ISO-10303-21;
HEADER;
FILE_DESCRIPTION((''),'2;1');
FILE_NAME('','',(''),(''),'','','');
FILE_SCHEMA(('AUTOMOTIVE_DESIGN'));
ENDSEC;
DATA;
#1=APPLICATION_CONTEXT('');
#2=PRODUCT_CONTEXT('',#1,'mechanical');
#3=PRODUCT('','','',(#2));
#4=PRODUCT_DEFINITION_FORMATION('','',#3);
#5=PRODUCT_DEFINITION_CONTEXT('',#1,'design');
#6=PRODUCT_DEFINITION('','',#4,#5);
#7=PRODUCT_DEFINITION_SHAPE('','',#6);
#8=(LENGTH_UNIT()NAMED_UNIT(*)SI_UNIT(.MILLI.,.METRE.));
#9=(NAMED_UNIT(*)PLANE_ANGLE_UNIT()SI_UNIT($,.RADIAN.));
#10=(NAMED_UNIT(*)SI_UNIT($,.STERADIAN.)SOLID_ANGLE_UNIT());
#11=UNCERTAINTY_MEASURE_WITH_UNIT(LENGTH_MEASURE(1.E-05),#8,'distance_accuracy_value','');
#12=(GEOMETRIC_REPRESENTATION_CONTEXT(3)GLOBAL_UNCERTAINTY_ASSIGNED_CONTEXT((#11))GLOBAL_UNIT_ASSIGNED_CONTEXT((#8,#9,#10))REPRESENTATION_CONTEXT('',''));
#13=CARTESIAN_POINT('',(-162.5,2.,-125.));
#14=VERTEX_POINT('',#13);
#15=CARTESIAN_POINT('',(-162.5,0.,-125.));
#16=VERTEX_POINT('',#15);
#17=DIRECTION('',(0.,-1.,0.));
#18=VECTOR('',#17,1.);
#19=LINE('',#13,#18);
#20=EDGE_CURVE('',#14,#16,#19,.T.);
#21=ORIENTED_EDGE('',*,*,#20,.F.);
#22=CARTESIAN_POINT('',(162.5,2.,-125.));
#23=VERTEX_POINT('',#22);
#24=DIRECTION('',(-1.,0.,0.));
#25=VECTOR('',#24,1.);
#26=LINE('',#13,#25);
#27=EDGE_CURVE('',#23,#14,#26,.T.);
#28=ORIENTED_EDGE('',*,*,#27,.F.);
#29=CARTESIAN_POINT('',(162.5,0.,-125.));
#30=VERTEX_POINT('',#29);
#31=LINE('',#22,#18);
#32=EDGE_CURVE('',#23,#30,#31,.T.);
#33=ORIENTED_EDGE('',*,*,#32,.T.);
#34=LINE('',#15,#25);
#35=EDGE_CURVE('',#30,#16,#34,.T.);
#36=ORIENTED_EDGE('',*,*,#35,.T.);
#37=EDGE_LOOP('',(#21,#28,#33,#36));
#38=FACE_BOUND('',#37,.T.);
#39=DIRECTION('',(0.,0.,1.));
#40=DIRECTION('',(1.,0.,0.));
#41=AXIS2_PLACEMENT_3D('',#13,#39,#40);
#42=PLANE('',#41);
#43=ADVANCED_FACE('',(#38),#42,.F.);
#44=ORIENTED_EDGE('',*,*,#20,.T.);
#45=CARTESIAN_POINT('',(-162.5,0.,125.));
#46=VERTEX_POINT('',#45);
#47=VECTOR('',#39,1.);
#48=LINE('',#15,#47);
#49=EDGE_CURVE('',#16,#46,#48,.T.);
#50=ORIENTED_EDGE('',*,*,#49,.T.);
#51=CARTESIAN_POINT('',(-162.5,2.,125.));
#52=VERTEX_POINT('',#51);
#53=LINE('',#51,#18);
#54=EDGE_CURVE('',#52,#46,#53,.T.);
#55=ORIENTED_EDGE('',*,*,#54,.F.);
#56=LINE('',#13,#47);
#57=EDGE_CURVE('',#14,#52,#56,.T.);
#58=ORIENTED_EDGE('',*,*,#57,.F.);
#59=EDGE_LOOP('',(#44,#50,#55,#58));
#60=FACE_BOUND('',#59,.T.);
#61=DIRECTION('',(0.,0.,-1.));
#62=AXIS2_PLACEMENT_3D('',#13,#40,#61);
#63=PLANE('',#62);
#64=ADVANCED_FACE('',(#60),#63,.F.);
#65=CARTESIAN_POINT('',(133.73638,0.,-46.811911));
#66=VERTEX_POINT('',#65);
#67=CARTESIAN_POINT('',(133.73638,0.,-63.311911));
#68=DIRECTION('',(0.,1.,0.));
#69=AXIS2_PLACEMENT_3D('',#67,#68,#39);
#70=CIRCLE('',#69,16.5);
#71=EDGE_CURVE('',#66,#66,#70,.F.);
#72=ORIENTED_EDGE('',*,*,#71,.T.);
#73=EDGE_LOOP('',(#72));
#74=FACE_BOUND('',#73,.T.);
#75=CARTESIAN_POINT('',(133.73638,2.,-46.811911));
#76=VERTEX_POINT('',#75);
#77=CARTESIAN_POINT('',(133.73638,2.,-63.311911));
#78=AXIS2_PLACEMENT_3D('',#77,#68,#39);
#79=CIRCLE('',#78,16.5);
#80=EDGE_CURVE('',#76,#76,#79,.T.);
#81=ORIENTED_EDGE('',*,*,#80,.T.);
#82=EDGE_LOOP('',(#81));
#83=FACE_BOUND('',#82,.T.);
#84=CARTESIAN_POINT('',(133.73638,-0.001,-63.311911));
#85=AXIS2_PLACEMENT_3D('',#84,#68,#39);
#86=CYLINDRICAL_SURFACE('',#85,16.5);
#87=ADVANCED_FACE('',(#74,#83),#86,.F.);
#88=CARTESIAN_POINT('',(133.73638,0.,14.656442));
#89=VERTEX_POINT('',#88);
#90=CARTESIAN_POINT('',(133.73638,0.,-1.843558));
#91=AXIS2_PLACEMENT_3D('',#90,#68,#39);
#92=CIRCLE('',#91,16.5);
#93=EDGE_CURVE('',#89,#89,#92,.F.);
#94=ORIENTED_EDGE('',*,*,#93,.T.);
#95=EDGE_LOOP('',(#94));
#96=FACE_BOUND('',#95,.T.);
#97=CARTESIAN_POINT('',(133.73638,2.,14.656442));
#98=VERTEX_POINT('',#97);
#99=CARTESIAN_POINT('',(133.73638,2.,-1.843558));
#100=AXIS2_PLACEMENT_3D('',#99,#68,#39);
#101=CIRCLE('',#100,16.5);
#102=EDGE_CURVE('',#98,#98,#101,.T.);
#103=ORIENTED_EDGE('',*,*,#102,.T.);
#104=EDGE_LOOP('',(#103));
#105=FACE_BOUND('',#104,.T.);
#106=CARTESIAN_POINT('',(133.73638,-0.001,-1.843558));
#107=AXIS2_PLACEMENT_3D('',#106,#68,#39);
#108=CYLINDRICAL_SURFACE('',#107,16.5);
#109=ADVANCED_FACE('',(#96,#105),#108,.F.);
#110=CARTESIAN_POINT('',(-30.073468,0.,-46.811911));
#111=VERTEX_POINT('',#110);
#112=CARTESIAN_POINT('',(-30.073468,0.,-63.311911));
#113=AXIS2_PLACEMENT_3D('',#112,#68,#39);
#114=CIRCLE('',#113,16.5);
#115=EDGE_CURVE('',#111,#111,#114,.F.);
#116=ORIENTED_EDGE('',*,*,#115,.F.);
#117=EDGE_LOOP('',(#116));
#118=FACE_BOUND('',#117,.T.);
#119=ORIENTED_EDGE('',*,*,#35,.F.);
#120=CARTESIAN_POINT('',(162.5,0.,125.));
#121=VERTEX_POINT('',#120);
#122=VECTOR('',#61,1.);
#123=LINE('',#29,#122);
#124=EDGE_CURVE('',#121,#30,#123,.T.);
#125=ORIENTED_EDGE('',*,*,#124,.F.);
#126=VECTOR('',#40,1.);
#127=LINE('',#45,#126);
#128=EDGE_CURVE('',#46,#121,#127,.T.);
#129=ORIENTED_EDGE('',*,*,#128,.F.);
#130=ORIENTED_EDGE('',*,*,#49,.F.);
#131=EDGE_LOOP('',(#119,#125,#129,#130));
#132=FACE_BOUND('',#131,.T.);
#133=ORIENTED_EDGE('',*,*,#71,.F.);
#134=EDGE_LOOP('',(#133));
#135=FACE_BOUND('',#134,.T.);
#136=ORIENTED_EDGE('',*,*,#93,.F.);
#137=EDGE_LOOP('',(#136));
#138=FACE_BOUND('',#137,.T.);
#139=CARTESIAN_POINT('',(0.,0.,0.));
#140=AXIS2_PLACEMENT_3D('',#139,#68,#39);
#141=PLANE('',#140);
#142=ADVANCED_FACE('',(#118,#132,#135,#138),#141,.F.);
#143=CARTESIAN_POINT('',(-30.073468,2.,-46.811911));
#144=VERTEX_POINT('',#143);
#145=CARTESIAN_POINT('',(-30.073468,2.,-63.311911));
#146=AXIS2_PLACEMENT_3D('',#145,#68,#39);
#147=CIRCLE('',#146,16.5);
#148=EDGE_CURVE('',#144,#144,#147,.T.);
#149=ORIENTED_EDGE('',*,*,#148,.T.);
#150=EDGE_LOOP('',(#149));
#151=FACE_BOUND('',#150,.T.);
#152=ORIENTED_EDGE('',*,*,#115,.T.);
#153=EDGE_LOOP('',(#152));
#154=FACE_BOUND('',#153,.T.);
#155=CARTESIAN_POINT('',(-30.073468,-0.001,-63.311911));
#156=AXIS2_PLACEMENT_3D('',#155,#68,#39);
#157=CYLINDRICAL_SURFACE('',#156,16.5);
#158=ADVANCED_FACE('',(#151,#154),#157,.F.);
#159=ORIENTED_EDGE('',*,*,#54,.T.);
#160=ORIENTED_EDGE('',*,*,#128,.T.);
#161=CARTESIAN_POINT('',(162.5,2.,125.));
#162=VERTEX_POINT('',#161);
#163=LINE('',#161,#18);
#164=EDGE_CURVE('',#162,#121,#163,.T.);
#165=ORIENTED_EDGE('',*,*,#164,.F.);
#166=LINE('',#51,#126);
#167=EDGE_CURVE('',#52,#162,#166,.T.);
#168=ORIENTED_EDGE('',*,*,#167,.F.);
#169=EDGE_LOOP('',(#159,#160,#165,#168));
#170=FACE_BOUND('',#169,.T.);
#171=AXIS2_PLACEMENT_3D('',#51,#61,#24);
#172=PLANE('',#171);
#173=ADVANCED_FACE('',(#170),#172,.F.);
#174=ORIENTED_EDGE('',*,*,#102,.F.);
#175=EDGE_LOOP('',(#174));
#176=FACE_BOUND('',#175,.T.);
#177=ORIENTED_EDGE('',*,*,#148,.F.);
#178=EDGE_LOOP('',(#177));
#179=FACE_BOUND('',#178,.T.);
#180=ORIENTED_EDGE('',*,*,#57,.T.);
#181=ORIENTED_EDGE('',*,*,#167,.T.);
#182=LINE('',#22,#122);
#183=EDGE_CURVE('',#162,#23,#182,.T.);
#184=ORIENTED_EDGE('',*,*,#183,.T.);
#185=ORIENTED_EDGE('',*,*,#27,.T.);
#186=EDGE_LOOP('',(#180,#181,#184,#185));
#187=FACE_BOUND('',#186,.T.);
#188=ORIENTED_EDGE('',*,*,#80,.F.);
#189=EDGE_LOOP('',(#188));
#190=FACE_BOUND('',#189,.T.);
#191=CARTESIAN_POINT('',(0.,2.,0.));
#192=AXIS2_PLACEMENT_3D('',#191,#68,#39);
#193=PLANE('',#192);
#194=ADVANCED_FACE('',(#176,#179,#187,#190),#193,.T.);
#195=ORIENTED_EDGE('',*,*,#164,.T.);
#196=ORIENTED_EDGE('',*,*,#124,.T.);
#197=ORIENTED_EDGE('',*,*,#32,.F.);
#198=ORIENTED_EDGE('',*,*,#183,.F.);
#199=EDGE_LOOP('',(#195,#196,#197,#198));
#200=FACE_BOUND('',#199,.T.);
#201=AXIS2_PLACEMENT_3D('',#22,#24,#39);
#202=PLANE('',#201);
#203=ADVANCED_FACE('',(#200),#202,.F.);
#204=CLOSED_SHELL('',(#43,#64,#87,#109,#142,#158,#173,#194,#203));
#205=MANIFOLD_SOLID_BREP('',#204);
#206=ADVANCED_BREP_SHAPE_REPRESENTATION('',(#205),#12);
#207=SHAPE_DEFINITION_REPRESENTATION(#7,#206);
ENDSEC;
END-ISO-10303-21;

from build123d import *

# Parameters (mm, degrees)
SKETCH1_W           = 325
SKETCH1_H           = 250
BOSS_EXTRUDE1_DEPTH = 2
CUT_EXTRUDE1_REACH  = 4
SKETCH2_R           = 16.5


with BuildPart() as part:
    # Sketch1 → Boss-Extrude1 (new body)
    with BuildSketch(Plane(origin=(0, 0, 0), x_dir=(1, 0, 0), z_dir=(0, 1, 0))):
        Rectangle(SKETCH1_W, SKETCH1_H)
    extrude(amount=BOSS_EXTRUDE1_DEPTH)

    # Sketch2 → Cut-Extrude1 (cut, up to next)
    with BuildSketch(Plane(origin=(0, 2, 0), x_dir=(1, 0, 0), z_dir=(0, 1, 0)), mode=Mode.PRIVATE) as cut_extrude1_sk1:
        with Locations((133.736379862, 1.843557571)):
            Circle(SKETCH2_R)
    cut_extrude1_tool1 = extrude(cut_extrude1_sk1.sketch, amount=-CUT_EXTRUDE1_REACH, mode=Mode.PRIVATE) & part.part
    add(cut_extrude1_tool1.solids().sort_by_distance((133.73638, 2, -1.843558))[0], mode=Mode.SUBTRACT)
    # Sketch2 → Cut-Extrude1 (cut, up to next)
    with BuildSketch(Plane(origin=(0, 2, 0), x_dir=(1, 0, 0), z_dir=(0, 1, 0)), mode=Mode.PRIVATE) as cut_extrude1_sk2:
        with Locations((133.736379862, 63.311910549)):
            Circle(SKETCH2_R)
    cut_extrude1_tool2 = extrude(cut_extrude1_sk2.sketch, amount=-CUT_EXTRUDE1_REACH, mode=Mode.PRIVATE) & part.part
    add(cut_extrude1_tool2.solids().sort_by_distance((133.73638, 2, -63.311911))[0], mode=Mode.SUBTRACT)
    # Sketch2 → Cut-Extrude1 (cut, up to next)
    with BuildSketch(Plane(origin=(0, 2, 0), x_dir=(1, 0, 0), z_dir=(0, 1, 0)), mode=Mode.PRIVATE) as cut_extrude1_sk3:
        with Locations((-30.073468299, 63.311910549)):
            Circle(SKETCH2_R)
    cut_extrude1_tool3 = extrude(cut_extrude1_sk3.sketch, amount=-CUT_EXTRUDE1_REACH, mode=Mode.PRIVATE) & part.part
    add(cut_extrude1_tool3.solids().sort_by_distance((-30.073468, 2, -63.311911))[0], mode=Mode.SUBTRACT)


solid = part.part
